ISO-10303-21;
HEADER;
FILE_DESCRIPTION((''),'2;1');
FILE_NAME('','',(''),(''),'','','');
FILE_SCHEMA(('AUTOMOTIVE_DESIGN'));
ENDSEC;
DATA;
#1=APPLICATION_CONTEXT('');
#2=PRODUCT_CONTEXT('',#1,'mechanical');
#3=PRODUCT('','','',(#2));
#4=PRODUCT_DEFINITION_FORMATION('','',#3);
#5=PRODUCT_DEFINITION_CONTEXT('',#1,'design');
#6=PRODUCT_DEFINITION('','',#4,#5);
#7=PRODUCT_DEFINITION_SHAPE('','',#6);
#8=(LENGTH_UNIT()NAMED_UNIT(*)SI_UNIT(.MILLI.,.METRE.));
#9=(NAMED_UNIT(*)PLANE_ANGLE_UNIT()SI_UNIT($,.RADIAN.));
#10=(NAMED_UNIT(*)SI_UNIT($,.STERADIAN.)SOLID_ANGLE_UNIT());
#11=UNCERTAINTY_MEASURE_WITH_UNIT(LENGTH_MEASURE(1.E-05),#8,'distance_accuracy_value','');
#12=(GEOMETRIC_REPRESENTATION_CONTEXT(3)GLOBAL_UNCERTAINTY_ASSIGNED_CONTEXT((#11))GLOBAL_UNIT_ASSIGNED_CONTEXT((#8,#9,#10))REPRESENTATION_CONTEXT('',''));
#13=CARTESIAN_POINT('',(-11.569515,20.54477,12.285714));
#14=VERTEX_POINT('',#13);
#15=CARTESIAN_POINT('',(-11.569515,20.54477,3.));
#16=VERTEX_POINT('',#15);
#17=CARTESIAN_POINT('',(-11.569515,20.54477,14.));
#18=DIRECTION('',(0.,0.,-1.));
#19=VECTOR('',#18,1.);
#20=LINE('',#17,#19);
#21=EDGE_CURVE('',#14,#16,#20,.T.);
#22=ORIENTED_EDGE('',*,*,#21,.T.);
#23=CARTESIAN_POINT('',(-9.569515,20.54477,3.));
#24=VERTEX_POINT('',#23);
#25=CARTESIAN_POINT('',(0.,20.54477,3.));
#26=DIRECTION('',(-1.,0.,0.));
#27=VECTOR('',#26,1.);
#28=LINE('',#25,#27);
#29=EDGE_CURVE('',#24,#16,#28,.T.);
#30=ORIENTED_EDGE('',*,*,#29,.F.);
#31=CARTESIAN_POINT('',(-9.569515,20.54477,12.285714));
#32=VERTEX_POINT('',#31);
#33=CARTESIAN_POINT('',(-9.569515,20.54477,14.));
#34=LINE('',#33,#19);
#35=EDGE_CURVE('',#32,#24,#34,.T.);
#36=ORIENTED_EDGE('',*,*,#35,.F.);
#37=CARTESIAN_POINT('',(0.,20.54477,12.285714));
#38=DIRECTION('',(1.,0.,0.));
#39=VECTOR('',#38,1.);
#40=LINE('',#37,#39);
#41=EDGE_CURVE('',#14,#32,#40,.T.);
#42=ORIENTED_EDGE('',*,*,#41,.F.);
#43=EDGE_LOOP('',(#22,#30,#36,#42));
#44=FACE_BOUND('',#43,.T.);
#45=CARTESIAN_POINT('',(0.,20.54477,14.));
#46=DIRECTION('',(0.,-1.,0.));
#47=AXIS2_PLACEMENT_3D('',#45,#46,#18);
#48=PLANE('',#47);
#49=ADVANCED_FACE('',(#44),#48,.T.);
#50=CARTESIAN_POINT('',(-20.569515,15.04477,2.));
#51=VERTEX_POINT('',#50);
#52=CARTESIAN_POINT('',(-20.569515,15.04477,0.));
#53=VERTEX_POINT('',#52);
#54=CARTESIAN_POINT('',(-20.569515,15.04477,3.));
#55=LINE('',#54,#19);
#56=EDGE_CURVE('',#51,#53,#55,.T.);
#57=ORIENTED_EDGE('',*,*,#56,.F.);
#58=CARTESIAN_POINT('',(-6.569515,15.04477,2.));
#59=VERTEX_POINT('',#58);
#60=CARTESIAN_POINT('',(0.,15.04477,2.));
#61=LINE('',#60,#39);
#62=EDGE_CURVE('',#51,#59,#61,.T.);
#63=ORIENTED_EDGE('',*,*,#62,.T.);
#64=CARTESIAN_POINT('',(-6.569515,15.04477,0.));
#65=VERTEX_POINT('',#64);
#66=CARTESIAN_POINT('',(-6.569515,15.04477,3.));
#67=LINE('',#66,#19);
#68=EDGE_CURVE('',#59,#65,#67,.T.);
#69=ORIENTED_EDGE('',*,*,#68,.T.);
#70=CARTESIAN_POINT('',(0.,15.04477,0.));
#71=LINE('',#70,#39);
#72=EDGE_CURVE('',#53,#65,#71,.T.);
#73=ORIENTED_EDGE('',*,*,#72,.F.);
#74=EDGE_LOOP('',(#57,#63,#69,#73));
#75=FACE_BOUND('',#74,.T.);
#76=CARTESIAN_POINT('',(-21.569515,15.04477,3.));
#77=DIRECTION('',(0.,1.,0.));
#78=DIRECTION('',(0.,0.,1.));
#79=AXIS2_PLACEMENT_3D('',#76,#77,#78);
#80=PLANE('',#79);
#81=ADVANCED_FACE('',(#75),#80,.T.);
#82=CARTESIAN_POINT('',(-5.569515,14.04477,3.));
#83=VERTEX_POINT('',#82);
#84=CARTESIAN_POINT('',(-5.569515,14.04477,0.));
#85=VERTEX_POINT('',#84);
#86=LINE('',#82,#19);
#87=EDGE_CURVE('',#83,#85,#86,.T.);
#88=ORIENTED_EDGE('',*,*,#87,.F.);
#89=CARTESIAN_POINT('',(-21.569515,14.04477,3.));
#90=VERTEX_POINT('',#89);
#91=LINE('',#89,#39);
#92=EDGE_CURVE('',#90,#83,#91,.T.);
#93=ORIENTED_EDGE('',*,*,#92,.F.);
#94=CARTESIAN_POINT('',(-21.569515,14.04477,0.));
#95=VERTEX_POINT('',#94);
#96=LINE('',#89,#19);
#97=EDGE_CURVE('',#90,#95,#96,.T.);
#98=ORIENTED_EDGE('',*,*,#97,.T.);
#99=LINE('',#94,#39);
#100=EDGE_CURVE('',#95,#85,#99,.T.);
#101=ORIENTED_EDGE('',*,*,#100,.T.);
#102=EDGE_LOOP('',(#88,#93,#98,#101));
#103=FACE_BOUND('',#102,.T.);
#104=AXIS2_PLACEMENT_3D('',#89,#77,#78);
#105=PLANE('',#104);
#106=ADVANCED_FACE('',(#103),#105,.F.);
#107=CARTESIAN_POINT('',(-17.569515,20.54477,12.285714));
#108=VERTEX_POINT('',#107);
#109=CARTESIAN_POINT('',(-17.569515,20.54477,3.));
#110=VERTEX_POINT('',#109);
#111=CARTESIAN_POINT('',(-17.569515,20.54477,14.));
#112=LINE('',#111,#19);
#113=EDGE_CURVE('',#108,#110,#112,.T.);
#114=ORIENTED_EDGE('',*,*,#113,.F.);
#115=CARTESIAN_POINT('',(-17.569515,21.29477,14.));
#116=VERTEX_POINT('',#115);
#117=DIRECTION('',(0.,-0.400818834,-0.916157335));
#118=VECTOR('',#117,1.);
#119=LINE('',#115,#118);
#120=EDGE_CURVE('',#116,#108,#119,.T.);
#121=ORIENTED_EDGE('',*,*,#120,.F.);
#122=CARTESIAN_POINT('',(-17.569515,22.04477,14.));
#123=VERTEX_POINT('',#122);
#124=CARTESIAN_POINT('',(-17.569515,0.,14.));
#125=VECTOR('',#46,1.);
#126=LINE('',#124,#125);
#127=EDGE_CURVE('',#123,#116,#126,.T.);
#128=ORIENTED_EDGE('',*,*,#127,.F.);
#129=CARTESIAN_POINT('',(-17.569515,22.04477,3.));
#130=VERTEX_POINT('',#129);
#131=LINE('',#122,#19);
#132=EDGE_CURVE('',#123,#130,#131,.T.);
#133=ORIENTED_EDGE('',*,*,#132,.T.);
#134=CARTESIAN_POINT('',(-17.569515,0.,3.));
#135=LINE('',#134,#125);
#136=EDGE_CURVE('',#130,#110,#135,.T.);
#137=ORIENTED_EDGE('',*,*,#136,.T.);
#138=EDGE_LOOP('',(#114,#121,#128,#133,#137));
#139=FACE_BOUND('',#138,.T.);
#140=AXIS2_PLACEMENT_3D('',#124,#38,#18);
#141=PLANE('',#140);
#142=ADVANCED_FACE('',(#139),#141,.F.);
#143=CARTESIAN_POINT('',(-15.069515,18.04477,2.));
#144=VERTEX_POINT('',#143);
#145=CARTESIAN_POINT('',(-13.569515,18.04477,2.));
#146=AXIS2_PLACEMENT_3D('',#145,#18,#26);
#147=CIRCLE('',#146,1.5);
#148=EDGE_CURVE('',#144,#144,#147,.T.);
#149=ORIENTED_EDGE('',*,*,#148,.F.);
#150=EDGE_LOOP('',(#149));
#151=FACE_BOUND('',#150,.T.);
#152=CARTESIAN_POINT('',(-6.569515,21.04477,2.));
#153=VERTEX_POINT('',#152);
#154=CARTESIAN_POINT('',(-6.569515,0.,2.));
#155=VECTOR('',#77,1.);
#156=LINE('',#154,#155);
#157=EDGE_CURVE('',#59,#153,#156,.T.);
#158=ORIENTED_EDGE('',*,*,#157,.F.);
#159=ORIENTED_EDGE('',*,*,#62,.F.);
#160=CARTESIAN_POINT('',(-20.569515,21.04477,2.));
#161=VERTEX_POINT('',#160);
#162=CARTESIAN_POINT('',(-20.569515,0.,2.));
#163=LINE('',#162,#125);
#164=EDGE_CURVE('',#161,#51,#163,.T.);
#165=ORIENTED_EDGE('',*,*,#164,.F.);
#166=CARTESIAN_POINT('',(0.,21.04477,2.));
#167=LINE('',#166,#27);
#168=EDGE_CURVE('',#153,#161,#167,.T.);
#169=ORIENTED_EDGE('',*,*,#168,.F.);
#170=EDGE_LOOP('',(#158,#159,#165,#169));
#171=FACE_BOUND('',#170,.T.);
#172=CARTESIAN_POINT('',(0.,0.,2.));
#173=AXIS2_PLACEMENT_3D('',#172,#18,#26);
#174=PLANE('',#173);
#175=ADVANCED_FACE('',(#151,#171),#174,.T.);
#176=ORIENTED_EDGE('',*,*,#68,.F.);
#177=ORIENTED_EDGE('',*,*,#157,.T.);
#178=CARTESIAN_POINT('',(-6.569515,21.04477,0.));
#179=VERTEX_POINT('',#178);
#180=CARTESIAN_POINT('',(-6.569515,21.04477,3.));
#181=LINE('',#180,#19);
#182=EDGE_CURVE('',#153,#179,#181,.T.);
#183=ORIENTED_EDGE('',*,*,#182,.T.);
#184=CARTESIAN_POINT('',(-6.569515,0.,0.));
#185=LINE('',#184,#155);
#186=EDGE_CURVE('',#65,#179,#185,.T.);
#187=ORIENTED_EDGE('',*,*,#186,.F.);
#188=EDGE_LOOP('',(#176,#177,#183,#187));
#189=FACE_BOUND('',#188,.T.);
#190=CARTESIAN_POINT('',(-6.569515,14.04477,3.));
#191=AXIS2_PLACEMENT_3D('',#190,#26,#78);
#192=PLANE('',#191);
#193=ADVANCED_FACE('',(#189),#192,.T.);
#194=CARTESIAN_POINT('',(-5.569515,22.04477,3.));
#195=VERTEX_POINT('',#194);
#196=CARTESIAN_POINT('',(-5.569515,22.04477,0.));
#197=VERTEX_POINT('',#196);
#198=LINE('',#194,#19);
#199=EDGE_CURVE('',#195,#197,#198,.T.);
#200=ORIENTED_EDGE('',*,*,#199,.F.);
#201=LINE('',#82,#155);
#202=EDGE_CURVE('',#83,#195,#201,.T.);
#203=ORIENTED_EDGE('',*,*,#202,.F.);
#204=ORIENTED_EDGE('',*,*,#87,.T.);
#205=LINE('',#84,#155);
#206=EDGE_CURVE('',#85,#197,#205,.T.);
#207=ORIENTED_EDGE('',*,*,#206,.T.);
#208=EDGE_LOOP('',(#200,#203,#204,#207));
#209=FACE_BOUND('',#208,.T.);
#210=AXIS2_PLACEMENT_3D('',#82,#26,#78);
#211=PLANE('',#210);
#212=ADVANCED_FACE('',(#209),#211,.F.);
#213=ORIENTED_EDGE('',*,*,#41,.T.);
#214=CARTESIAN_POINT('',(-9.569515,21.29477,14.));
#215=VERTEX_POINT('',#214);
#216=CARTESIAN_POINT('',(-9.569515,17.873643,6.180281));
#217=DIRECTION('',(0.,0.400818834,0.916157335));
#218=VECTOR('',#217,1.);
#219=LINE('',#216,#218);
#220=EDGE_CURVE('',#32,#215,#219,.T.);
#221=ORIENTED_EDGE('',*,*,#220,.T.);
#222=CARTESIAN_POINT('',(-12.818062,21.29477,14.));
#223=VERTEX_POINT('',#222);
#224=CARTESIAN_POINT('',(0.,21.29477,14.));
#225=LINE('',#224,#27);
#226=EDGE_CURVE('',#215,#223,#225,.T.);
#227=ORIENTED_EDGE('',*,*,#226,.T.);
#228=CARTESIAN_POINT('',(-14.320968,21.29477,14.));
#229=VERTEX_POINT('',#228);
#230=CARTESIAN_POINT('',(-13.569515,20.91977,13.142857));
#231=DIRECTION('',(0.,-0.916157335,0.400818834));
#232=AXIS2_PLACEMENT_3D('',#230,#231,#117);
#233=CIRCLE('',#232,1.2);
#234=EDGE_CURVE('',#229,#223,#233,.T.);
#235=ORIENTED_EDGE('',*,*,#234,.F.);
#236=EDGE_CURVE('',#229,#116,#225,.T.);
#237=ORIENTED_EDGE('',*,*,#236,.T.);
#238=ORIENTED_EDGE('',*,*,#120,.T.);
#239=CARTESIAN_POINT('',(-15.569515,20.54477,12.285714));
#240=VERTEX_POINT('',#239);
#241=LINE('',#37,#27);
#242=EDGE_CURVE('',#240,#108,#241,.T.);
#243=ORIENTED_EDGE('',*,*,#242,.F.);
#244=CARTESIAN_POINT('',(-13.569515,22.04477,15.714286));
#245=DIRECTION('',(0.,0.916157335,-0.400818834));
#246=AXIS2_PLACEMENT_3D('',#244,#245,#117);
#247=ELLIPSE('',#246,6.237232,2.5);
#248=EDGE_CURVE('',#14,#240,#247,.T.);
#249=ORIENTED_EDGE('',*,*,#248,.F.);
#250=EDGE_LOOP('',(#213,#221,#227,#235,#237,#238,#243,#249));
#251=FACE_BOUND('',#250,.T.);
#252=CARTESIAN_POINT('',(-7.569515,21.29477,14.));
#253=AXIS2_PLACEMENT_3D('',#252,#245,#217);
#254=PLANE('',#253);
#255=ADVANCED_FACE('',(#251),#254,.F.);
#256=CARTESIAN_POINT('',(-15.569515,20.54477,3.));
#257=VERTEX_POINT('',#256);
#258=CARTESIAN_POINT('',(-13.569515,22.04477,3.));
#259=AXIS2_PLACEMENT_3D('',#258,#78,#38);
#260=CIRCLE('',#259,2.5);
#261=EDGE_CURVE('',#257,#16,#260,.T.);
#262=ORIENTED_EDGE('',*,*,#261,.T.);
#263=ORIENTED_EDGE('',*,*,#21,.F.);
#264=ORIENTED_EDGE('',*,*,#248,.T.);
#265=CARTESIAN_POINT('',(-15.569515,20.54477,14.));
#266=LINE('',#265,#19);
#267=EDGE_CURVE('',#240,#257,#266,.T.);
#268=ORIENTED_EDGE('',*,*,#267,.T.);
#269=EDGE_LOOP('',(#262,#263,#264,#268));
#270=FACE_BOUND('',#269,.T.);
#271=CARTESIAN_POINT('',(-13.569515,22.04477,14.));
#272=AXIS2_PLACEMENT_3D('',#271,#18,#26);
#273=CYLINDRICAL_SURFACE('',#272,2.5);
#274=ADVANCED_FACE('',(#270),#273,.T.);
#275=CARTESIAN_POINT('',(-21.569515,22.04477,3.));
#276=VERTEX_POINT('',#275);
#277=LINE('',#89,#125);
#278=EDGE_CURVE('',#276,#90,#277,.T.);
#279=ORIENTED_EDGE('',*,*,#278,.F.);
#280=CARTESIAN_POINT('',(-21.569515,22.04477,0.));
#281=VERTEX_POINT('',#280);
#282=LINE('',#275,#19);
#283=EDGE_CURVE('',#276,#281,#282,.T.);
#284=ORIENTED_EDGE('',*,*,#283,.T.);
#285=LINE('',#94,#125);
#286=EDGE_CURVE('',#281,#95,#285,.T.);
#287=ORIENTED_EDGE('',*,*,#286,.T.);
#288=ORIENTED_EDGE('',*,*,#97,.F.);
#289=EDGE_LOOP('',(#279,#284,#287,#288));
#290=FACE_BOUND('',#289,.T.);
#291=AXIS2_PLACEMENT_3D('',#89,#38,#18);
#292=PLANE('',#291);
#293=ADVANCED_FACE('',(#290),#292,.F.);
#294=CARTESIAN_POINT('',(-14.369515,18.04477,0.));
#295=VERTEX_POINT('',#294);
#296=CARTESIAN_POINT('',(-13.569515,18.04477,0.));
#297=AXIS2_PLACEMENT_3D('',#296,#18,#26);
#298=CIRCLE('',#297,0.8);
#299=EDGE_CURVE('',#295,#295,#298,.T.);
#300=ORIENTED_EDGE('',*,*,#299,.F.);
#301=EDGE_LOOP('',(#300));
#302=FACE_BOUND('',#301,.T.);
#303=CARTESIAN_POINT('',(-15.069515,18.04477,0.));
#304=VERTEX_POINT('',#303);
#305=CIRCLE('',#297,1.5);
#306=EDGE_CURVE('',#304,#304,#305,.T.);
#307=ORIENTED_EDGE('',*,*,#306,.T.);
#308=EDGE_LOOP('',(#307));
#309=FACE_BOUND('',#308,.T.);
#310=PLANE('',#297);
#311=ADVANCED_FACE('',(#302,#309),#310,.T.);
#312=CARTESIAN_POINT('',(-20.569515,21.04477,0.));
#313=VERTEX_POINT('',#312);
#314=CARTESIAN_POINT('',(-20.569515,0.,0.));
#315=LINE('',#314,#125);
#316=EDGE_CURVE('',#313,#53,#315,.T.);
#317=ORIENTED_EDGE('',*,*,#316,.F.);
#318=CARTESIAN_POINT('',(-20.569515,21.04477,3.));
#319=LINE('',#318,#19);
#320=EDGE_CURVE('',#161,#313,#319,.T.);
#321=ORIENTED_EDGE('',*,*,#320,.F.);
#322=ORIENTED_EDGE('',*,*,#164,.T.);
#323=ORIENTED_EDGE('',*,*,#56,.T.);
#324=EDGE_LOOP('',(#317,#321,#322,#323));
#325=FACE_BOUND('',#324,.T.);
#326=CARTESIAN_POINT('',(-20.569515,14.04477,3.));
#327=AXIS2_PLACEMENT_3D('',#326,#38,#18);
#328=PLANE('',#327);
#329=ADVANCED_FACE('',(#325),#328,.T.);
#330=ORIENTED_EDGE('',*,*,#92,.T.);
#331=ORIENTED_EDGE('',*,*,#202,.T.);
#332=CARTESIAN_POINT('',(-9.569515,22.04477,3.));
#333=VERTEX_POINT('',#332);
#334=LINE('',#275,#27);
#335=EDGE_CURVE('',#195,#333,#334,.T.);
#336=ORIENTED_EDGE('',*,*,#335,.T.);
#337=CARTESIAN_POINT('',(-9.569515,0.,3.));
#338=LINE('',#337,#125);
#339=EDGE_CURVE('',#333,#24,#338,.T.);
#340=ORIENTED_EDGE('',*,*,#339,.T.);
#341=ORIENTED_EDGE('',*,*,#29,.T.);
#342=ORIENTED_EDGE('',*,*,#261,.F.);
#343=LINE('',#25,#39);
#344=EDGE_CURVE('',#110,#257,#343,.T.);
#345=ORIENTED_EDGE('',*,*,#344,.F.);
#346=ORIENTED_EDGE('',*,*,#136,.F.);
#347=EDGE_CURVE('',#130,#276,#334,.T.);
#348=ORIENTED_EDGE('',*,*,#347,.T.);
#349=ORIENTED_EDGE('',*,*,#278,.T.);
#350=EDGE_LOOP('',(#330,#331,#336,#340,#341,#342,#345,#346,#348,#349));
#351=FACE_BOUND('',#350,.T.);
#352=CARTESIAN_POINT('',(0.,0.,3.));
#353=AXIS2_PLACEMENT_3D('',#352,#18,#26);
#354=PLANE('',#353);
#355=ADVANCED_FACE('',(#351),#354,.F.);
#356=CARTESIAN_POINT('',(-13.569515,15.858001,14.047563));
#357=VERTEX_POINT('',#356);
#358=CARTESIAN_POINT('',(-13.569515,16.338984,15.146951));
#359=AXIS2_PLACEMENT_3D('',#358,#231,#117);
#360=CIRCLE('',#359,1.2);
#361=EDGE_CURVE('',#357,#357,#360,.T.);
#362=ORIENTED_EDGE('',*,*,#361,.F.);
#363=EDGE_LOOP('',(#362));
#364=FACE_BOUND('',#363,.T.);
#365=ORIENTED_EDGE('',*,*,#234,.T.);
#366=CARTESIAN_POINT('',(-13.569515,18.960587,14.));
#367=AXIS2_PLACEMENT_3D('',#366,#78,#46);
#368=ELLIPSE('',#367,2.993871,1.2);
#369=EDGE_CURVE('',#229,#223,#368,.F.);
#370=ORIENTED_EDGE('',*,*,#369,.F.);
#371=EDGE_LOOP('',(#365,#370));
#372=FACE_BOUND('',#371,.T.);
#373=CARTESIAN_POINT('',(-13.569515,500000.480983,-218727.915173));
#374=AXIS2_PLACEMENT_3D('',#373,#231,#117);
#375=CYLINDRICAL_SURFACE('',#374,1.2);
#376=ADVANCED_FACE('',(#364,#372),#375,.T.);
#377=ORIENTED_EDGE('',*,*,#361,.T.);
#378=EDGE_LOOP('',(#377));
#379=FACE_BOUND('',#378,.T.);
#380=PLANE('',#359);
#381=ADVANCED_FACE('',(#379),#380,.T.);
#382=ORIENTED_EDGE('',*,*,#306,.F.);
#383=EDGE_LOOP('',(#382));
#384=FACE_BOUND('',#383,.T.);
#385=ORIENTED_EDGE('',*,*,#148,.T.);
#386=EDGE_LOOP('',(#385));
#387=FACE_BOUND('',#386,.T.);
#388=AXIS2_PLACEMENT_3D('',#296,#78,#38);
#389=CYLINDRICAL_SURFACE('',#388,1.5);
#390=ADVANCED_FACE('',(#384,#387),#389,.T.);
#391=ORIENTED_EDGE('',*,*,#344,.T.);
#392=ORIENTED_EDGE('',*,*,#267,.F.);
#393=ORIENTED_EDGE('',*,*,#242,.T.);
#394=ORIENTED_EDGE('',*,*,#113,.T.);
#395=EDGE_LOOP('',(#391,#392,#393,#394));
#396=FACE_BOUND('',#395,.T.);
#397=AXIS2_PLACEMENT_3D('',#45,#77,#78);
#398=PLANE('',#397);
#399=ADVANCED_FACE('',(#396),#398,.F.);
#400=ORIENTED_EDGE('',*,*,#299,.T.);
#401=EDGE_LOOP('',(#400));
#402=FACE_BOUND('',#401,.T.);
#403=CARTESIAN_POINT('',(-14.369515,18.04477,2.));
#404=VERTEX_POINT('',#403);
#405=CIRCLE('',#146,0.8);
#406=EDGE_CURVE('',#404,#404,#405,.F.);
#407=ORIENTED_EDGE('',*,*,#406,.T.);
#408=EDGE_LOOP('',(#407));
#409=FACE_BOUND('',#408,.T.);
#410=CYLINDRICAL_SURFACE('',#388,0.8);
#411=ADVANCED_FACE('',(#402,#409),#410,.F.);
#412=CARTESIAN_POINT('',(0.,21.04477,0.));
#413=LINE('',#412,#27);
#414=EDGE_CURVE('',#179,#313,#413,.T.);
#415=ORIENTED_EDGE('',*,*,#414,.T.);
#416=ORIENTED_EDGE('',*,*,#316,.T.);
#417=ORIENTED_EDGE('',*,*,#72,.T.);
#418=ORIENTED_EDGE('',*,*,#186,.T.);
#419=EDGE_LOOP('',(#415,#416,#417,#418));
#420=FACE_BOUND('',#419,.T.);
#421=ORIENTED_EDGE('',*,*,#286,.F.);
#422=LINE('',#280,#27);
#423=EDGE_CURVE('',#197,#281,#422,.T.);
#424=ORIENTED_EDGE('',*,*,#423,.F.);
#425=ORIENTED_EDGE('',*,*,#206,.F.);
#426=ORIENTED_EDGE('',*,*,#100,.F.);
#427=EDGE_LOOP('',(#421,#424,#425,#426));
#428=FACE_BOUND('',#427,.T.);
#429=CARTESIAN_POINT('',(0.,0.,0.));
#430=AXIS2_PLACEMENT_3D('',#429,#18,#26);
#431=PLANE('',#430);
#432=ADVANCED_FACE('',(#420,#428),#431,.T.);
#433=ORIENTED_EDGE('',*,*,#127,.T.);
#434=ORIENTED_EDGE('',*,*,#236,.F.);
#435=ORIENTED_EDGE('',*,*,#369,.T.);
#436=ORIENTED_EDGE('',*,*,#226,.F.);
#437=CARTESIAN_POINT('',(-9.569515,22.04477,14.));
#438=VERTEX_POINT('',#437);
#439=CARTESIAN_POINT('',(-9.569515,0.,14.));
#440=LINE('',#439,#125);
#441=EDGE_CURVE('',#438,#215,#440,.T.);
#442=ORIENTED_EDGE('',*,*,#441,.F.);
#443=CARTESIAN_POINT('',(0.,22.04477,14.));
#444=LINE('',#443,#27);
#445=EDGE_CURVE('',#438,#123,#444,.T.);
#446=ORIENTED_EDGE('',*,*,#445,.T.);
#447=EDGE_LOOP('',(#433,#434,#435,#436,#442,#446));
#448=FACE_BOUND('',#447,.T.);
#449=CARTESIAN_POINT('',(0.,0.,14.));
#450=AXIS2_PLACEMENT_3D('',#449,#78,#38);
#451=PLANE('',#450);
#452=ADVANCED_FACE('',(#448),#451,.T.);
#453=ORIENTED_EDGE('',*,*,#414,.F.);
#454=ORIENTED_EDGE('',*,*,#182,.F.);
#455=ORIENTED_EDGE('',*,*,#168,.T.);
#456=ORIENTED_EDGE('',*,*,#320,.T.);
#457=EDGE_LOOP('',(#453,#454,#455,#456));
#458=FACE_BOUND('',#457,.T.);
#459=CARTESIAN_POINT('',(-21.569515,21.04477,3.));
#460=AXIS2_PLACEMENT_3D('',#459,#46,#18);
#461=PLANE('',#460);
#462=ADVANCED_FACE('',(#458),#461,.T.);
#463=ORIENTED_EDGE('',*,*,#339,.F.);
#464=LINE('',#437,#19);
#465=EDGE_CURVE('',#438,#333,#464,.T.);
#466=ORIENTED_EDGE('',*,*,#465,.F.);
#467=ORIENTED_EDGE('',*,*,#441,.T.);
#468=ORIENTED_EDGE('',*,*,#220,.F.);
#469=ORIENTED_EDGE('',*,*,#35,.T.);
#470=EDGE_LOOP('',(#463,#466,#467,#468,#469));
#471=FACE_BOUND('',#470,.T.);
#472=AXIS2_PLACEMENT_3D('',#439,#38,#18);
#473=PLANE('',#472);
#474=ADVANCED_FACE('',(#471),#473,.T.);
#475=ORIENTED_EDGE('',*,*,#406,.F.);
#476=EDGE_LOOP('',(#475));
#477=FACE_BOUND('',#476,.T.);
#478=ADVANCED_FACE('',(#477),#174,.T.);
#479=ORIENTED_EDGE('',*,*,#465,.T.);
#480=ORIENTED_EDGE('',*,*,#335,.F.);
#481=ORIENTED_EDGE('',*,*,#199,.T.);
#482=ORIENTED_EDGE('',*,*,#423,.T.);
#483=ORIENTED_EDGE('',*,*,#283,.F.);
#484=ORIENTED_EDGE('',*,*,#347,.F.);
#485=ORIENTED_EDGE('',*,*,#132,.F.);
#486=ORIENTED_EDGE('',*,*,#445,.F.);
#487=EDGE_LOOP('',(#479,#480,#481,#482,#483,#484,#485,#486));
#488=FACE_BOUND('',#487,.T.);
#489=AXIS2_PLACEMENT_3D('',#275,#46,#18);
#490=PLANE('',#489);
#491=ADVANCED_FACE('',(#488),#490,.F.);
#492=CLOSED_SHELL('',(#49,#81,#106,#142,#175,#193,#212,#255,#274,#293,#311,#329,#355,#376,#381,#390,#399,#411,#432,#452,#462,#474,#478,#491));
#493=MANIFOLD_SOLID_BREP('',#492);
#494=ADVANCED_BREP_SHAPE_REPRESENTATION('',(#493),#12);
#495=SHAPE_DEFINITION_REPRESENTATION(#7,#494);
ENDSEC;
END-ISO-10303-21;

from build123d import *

# Parameters (mm, degrees)
SKETCH1_W                       = 16
SKETCH1_H                       = 8
BOSS_EXTRUDE1_DEPTH             = 3
SHELL3_T                        = -1
SKETCH2_R                       = 1.5
SKETCH2_R_2                     = 0.8
BOSS_EXTRUDE2_DEPTH             = 2
BOSS_EXTRUDE3_DEPTH             = 11
CUT_EXTRUDE2_DEPTH              = 10
SKETCH5_R                       = 1.2
BOSS_EXTRUDE4_DEPTH             = 5
BOSS_EXTRUDE4_DIRECTION_2_REACH = 32.577


with BuildPart() as part:
    # Sketch1 → Boss-Extrude1 (new body)
    with BuildSketch(Plane.XY):
        with Locations((-13.569515058, 18.04477027)):
            Rectangle(SKETCH1_W, SKETCH1_H)
    extrude(amount=BOSS_EXTRUDE1_DEPTH)

    # Shell3
    shell3_openings = [part.faces().sort_by_distance(p)[0] for p in [
        (-13.569515058, 18.04477027, 0),
    ]]
    offset(amount=SHELL3_T, openings=shell3_openings, kind=Kind.INTERSECTION)

    # Sketch2 → Boss-Extrude2 (add)
    with BuildSketch(Plane(origin=(0, 0, 2), x_dir=(-1, 0, 0), z_dir=(0, 0, -1))):
        with Locations((13.569515058, 18.04477027)):
            Circle(SKETCH2_R)
        with Locations((13.569515058, 18.04477027)):
            Circle(SKETCH2_R_2, mode=Mode.SUBTRACT)
    extrude(amount=BOSS_EXTRUDE2_DEPTH)

    # Sketch3 → Boss-Extrude3 (add)
    with BuildSketch(Plane.XY.offset(3)):
        with BuildLine():
            Line((-17.569515058, 22.04477027), (-17.569515058, 20.54477027))
            Line((-17.569515058, 20.54477027), (-15.569515058, 20.54477027))
            ThreePointArc((-15.569515058, 20.54477027), (-13.569515058, 19.54477027), (-11.569515058, 20.54477027))
            Line((-11.569515058, 20.54477027), (-9.569515058, 20.54477027))
            Line((-9.569515058, 20.54477027), (-9.569515058, 22.04477027))
            Line((-9.569515058, 22.04477027), (-17.569515058, 22.04477027))
        make_face()
    extrude(amount=BOSS_EXTRUDE3_DEPTH)

    # Sketch4 → Cut-Extrude2 (cut)
    with BuildSketch(Plane.ZY.offset(17.569515058)):
        Polygon((14, 21.29477027), (14, 19.54477027), (10, 19.54477027), align=None)
    extrude(amount=-CUT_EXTRUDE2_DEPTH, mode=Mode.SUBTRACT)

    # Sketch5 → Boss-Extrude4 (add)
    with BuildSketch(Plane(origin=(0, 12.732659637, -5.570538591), x_dir=(-1, 0, 0), z_dir=(0, -0.9161573349021893, 0.4008188340197074))):
        with Locations(Location((13.569515058, -20.425962901, 0), (0, 0, 90))):
            Circle(SKETCH5_R)
    extrude(amount=BOSS_EXTRUDE4_DEPTH)

    # Sketch5 → Boss-Extrude4 direction 2 (add, up to next)
    with BuildSketch(Plane(origin=(0, 12.732659637, -5.570538591), x_dir=(-1, 0, 0), z_dir=(0, -0.9161573349021893, 0.4008188340197074)), mode=Mode.PRIVATE) as boss_extrude4_direction_2_sk1:
        with Locations(Location((13.569515058, -20.425962901, 0), (0, 0, 90))):
            Circle(SKETCH5_R)
    boss_extrude4_direction_2_tool1 = extrude(boss_extrude4_direction_2_sk1.sketch, amount=-BOSS_EXTRUDE4_DIRECTION_2_REACH, mode=Mode.PRIVATE) - part.part
    add(boss_extrude4_direction_2_tool1.solids().sort_by_distance((-13.569515, 20.91977, 13.142857))[0])


solid = part.part
